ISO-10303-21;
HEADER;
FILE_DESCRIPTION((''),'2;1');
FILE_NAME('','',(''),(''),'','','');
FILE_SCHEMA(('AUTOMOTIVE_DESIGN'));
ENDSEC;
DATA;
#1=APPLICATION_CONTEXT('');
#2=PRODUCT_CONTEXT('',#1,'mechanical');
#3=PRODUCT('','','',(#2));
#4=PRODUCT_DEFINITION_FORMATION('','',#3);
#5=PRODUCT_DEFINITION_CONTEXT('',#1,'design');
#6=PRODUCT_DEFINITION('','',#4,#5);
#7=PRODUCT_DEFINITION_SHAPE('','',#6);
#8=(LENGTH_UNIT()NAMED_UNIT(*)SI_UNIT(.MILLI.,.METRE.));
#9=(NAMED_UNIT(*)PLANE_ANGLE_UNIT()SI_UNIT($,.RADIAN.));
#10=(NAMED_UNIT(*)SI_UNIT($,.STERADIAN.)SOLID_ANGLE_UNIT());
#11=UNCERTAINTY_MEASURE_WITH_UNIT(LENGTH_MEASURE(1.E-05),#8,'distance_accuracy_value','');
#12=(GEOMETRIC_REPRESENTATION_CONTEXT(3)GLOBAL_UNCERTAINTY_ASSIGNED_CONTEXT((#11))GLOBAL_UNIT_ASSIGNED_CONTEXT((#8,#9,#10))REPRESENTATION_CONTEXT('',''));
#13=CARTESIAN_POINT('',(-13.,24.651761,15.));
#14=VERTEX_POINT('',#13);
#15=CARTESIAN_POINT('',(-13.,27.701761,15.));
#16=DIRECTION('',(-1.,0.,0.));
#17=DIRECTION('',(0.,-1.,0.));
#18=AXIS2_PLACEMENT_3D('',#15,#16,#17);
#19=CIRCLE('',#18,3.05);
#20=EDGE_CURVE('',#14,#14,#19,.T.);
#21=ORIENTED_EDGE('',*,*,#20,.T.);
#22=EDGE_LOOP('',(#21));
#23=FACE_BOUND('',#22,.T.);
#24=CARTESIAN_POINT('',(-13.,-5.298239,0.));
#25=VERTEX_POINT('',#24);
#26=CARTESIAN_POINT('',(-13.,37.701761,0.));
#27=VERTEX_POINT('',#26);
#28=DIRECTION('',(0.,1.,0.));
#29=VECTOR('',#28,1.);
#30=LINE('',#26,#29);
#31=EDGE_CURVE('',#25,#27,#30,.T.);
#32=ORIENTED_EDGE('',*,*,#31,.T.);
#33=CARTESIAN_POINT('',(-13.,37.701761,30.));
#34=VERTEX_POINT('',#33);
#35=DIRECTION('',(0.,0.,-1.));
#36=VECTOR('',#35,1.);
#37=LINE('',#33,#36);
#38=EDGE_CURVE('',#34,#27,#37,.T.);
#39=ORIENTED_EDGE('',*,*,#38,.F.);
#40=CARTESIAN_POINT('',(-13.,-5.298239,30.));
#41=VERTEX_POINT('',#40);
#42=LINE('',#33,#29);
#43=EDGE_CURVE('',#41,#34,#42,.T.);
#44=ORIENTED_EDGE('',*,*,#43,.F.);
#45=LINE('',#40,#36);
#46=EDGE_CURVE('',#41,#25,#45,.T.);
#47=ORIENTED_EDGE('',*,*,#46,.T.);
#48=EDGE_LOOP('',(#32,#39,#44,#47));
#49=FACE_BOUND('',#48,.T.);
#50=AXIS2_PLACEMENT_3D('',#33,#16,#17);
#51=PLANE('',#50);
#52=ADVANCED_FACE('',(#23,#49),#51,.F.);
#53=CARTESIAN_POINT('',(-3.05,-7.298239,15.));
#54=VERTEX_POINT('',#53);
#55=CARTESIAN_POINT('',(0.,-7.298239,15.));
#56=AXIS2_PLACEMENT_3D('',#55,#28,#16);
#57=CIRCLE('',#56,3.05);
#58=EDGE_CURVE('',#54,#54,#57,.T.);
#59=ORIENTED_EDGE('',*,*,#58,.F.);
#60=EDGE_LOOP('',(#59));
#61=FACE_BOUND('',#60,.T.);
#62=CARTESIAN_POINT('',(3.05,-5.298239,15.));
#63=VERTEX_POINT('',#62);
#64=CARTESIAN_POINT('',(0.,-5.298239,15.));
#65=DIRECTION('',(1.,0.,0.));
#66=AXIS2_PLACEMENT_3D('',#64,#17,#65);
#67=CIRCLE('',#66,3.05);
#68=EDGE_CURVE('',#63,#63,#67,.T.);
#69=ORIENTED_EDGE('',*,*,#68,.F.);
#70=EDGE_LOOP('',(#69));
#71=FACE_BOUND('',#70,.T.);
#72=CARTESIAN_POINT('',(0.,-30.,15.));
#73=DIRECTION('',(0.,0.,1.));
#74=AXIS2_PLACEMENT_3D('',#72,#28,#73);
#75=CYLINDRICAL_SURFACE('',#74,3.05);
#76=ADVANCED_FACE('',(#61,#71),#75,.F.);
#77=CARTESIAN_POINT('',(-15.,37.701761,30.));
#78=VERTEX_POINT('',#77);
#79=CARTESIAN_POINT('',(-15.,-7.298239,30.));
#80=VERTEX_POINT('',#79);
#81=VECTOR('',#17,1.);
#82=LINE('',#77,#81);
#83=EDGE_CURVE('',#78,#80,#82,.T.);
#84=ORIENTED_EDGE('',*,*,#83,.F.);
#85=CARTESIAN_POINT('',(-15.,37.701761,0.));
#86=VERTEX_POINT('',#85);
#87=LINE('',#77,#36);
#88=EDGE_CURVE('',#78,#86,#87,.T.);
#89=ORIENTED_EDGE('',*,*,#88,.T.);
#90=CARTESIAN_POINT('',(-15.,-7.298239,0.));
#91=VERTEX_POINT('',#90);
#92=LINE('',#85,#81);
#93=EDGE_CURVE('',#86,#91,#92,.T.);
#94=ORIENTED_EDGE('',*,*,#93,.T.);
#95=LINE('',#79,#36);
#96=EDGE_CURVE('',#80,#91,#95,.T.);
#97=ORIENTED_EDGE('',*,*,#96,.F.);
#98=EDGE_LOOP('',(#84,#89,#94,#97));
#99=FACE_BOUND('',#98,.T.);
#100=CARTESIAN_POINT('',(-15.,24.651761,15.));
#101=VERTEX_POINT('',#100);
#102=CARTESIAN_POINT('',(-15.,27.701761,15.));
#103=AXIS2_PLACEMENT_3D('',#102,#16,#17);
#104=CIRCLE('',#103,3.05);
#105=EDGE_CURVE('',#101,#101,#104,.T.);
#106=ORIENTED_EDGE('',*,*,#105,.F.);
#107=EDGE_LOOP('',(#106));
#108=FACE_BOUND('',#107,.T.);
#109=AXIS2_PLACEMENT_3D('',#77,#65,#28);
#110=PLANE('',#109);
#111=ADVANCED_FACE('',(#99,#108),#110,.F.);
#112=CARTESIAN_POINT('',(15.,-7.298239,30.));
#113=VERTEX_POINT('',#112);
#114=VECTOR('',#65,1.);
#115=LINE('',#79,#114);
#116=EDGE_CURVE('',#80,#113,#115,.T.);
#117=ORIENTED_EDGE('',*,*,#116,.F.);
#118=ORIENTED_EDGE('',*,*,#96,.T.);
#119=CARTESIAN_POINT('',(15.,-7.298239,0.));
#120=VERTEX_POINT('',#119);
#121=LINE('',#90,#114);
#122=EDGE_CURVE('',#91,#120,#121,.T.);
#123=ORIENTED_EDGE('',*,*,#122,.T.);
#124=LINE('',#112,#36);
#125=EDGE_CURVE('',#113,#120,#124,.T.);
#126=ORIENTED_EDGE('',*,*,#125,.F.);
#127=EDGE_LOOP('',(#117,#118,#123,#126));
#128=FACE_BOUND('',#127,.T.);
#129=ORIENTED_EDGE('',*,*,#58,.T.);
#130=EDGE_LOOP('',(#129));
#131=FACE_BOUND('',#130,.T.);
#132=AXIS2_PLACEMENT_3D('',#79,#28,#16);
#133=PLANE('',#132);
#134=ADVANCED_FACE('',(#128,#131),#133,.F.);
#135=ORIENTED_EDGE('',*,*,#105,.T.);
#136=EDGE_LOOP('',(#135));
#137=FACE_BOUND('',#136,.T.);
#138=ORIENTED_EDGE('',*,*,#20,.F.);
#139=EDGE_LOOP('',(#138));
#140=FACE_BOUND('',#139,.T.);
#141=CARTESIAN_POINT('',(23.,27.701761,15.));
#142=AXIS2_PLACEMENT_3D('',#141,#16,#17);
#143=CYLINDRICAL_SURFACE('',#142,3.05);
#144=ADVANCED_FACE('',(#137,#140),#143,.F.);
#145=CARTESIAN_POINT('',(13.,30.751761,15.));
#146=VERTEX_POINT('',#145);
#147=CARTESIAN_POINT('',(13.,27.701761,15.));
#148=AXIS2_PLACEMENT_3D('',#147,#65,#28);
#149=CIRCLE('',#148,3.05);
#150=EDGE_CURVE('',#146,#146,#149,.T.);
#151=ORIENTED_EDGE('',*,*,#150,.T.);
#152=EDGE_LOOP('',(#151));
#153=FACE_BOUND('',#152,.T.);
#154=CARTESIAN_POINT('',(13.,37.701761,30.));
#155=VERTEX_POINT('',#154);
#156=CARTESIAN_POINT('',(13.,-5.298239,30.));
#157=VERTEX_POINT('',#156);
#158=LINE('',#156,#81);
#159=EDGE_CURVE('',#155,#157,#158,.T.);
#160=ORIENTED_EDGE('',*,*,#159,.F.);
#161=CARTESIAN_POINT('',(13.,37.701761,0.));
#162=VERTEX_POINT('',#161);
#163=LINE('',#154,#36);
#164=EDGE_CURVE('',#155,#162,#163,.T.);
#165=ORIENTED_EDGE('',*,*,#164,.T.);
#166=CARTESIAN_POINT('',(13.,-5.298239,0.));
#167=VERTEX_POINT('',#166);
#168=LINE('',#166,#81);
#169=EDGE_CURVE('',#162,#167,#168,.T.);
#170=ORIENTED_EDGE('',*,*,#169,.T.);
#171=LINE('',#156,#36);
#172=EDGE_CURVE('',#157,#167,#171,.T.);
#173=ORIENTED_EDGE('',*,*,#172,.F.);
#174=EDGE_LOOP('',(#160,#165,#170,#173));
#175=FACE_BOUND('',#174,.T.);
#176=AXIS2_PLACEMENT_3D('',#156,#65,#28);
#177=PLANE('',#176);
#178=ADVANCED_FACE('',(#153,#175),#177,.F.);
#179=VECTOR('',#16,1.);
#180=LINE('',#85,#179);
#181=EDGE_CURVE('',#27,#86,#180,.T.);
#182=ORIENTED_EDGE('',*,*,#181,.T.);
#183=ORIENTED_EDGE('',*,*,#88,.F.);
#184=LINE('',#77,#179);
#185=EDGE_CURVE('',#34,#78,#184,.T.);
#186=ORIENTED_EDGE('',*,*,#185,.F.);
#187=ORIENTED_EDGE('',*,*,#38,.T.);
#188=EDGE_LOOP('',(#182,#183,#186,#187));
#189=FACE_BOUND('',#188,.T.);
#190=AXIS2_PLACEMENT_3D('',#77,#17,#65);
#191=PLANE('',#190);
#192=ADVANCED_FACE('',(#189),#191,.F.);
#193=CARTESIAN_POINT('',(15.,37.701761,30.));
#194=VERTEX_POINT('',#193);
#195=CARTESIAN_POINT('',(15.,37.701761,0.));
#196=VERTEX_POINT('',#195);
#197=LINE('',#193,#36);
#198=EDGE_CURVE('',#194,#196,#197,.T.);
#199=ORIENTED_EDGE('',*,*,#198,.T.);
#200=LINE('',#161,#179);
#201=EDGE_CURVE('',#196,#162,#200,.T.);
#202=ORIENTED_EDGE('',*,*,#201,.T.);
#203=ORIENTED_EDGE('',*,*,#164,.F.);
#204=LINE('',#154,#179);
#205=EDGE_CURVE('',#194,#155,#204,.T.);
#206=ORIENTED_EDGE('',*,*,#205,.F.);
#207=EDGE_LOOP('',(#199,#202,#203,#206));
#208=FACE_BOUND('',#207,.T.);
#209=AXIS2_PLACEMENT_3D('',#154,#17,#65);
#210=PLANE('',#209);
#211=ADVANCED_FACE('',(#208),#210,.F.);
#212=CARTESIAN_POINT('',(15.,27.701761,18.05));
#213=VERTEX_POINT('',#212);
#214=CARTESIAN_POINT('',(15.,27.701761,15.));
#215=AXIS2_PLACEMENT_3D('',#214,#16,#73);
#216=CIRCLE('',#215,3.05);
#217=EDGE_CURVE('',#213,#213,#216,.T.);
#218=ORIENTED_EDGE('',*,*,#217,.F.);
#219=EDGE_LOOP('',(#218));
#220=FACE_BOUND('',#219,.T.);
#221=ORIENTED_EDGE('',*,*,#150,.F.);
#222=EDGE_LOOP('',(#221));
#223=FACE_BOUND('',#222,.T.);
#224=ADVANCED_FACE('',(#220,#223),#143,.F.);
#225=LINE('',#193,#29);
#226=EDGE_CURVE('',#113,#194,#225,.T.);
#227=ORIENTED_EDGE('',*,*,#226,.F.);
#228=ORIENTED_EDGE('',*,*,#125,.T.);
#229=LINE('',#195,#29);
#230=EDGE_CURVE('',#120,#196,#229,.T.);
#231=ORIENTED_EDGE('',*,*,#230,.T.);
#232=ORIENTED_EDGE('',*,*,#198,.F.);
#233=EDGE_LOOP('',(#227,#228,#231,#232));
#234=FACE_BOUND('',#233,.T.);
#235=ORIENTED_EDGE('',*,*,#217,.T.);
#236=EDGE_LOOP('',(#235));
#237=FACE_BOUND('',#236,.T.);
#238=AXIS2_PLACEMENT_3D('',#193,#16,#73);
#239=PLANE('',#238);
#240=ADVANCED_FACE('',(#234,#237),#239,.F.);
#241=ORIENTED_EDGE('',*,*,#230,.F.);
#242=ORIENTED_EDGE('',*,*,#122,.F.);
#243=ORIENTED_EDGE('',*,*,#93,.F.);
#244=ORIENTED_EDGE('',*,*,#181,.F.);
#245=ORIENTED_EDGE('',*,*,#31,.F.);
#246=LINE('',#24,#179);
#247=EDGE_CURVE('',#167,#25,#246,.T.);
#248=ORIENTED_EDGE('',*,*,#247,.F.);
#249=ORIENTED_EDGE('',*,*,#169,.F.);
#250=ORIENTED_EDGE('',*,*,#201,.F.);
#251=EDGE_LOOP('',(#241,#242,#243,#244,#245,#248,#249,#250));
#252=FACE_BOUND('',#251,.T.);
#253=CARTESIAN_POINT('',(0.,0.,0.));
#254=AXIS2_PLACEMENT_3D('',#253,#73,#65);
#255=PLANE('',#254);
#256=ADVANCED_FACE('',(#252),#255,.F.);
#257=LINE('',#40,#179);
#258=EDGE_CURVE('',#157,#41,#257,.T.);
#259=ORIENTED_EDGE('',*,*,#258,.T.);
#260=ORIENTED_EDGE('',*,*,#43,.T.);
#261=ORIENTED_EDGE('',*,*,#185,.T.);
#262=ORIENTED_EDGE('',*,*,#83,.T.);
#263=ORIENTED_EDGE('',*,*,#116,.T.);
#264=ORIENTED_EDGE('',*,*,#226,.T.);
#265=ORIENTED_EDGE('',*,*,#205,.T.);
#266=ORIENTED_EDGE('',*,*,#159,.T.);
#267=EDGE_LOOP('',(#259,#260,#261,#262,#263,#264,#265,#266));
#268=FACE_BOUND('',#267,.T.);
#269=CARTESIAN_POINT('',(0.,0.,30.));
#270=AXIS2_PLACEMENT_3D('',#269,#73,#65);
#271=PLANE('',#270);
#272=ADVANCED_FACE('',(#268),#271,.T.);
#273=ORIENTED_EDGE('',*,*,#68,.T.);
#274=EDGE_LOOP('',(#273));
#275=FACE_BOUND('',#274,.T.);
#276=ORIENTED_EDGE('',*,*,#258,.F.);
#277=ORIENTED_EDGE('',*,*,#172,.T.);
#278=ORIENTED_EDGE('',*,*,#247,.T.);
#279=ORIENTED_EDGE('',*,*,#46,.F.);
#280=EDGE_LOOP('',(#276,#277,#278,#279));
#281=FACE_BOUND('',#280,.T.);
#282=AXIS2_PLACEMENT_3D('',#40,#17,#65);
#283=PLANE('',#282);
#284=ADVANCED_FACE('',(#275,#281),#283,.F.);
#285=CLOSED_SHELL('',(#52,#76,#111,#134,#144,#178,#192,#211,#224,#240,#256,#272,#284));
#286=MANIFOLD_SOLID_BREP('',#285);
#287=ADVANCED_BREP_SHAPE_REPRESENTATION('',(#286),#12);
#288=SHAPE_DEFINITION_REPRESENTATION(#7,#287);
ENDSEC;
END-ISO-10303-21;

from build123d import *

# Parameters (mm, degrees)
EXTRUDE_1_DEPTH     = 30
SKETCH_2_R          = 3.05
CUT_EXTRUDE_1_DEPTH = 30
SKETCH_3_R          = 3.05
CUT_EXTRUDE_2_DEPTH = 38


with BuildPart() as part:
    # 草图1 → 凸台-拉伸1 (new body)
    with BuildSketch(Plane.XY):
        Polygon((-15, 37.701761355), (-13, 37.701761355), (-13, -5.298238645), (13, -5.298238645), (13, 37.701761355), (15, 37.701761355), (15, -7.298238645), (-15, -7.298238645), align=None)
    extrude(amount=EXTRUDE_1_DEPTH)

    # 草图2 → 切除-拉伸1 (cut)
    with BuildSketch(Plane(origin=(0, 0, 0), x_dir=(1, 0, 0), z_dir=(0, 1, 0))):
        with Locations((0, -15)):
            Circle(SKETCH_2_R)
    extrude(amount=-CUT_EXTRUDE_1_DEPTH, mode=Mode.SUBTRACT)

    # 草图3 → 切除-拉伸2 (cut)
    with BuildSketch(Plane.ZY.offset(15)):
        with Locations((15, 27.701761355)):
            Circle(SKETCH_3_R)
    extrude(amount=-CUT_EXTRUDE_2_DEPTH, mode=Mode.SUBTRACT)


solid = part.part
